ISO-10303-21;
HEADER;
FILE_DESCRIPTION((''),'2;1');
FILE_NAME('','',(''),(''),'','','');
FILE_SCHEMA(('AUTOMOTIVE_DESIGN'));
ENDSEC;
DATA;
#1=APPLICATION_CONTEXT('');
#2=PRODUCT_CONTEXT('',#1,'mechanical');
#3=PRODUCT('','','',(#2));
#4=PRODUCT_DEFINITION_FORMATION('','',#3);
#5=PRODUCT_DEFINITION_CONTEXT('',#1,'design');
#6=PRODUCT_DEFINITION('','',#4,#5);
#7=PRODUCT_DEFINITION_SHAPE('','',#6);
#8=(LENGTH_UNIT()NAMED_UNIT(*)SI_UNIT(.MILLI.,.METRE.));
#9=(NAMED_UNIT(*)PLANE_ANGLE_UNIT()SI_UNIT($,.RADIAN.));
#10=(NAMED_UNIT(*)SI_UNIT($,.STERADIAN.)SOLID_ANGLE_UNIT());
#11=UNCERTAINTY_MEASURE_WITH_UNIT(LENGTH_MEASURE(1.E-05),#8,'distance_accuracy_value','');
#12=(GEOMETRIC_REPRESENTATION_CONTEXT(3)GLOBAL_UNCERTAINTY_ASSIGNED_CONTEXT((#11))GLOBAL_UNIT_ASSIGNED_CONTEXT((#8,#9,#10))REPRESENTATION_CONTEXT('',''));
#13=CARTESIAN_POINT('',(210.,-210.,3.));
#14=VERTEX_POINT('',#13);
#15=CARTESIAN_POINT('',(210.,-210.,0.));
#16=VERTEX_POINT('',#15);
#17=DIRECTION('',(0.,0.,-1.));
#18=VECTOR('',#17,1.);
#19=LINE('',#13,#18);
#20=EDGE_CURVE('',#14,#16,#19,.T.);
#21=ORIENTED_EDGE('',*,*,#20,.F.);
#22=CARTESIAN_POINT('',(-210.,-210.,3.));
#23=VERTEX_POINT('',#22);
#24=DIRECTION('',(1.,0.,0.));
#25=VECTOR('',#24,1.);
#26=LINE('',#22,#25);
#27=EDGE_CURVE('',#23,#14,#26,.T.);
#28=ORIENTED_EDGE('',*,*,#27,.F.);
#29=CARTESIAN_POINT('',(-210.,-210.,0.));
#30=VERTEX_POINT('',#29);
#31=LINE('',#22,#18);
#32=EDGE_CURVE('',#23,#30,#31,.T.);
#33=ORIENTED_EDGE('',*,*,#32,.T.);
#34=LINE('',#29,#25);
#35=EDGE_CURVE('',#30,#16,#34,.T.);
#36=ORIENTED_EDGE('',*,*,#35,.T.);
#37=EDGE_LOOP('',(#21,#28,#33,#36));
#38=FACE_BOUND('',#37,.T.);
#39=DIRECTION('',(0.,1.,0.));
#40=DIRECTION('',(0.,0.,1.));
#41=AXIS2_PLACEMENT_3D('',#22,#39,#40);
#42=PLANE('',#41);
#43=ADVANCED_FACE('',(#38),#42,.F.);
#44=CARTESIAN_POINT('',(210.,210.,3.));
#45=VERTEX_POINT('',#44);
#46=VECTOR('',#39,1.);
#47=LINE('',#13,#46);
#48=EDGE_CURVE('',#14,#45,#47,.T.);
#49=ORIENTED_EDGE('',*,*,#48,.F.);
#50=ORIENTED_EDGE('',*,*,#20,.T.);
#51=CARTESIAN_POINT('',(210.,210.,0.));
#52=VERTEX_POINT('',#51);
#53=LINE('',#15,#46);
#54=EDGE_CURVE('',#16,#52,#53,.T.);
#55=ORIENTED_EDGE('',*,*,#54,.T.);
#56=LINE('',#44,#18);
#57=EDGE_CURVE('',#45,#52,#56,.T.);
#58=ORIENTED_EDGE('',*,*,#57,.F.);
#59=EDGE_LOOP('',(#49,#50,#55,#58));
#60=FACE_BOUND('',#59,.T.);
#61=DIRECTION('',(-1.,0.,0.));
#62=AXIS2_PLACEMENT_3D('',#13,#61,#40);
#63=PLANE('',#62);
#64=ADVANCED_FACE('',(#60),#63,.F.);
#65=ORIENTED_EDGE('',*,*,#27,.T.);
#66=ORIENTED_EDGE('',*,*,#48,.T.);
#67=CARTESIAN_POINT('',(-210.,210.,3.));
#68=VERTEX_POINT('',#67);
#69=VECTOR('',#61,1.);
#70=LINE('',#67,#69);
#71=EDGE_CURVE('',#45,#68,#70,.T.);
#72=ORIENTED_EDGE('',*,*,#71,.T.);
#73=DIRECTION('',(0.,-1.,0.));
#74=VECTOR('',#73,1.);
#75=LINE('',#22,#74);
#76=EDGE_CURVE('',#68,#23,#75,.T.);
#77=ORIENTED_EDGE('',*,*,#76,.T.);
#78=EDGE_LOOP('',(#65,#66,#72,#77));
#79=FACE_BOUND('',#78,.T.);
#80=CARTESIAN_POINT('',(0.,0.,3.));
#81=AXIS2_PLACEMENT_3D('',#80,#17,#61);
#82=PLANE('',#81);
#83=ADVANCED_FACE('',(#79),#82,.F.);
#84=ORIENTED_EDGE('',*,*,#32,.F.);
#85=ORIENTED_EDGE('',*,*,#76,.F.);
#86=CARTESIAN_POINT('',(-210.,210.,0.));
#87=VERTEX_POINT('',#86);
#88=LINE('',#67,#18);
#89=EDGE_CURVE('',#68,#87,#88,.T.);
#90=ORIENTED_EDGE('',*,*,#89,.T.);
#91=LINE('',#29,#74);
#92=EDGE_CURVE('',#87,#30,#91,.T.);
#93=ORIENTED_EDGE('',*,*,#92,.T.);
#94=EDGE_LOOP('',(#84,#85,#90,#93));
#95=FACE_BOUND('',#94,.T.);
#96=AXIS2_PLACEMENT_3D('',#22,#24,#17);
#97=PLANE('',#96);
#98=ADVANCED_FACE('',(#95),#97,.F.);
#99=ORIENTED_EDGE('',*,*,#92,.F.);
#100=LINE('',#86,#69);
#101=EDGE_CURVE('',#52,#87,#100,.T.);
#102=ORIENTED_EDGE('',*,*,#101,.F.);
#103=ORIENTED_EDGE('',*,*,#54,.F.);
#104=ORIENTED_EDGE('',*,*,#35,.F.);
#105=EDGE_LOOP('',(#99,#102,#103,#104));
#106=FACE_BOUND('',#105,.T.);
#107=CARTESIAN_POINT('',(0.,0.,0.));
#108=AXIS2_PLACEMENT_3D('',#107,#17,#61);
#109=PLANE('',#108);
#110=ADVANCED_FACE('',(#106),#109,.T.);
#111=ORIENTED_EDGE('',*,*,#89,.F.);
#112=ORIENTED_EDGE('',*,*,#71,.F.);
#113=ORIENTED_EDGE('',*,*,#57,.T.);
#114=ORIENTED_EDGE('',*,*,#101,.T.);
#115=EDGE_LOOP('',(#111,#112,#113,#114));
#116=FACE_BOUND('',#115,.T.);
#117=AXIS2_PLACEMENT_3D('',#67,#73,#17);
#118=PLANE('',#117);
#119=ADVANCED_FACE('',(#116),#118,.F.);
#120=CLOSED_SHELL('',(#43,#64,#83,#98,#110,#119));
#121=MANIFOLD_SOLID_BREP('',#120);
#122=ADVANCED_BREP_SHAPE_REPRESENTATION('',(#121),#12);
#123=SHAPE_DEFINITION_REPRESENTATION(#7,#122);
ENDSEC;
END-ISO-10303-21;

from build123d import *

# Parameters (mm, degrees)
SKETCH_1_W      = 420
SKETCH_1_H      = 420
EXTRUDE_1_DEPTH = 3


with BuildPart() as part:
    # 草图1 → 凸台-拉伸1 (new body)
    with BuildSketch(Plane.XY):
        Rectangle(SKETCH_1_W, SKETCH_1_H)
    extrude(amount=EXTRUDE_1_DEPTH)


solid = part.part
